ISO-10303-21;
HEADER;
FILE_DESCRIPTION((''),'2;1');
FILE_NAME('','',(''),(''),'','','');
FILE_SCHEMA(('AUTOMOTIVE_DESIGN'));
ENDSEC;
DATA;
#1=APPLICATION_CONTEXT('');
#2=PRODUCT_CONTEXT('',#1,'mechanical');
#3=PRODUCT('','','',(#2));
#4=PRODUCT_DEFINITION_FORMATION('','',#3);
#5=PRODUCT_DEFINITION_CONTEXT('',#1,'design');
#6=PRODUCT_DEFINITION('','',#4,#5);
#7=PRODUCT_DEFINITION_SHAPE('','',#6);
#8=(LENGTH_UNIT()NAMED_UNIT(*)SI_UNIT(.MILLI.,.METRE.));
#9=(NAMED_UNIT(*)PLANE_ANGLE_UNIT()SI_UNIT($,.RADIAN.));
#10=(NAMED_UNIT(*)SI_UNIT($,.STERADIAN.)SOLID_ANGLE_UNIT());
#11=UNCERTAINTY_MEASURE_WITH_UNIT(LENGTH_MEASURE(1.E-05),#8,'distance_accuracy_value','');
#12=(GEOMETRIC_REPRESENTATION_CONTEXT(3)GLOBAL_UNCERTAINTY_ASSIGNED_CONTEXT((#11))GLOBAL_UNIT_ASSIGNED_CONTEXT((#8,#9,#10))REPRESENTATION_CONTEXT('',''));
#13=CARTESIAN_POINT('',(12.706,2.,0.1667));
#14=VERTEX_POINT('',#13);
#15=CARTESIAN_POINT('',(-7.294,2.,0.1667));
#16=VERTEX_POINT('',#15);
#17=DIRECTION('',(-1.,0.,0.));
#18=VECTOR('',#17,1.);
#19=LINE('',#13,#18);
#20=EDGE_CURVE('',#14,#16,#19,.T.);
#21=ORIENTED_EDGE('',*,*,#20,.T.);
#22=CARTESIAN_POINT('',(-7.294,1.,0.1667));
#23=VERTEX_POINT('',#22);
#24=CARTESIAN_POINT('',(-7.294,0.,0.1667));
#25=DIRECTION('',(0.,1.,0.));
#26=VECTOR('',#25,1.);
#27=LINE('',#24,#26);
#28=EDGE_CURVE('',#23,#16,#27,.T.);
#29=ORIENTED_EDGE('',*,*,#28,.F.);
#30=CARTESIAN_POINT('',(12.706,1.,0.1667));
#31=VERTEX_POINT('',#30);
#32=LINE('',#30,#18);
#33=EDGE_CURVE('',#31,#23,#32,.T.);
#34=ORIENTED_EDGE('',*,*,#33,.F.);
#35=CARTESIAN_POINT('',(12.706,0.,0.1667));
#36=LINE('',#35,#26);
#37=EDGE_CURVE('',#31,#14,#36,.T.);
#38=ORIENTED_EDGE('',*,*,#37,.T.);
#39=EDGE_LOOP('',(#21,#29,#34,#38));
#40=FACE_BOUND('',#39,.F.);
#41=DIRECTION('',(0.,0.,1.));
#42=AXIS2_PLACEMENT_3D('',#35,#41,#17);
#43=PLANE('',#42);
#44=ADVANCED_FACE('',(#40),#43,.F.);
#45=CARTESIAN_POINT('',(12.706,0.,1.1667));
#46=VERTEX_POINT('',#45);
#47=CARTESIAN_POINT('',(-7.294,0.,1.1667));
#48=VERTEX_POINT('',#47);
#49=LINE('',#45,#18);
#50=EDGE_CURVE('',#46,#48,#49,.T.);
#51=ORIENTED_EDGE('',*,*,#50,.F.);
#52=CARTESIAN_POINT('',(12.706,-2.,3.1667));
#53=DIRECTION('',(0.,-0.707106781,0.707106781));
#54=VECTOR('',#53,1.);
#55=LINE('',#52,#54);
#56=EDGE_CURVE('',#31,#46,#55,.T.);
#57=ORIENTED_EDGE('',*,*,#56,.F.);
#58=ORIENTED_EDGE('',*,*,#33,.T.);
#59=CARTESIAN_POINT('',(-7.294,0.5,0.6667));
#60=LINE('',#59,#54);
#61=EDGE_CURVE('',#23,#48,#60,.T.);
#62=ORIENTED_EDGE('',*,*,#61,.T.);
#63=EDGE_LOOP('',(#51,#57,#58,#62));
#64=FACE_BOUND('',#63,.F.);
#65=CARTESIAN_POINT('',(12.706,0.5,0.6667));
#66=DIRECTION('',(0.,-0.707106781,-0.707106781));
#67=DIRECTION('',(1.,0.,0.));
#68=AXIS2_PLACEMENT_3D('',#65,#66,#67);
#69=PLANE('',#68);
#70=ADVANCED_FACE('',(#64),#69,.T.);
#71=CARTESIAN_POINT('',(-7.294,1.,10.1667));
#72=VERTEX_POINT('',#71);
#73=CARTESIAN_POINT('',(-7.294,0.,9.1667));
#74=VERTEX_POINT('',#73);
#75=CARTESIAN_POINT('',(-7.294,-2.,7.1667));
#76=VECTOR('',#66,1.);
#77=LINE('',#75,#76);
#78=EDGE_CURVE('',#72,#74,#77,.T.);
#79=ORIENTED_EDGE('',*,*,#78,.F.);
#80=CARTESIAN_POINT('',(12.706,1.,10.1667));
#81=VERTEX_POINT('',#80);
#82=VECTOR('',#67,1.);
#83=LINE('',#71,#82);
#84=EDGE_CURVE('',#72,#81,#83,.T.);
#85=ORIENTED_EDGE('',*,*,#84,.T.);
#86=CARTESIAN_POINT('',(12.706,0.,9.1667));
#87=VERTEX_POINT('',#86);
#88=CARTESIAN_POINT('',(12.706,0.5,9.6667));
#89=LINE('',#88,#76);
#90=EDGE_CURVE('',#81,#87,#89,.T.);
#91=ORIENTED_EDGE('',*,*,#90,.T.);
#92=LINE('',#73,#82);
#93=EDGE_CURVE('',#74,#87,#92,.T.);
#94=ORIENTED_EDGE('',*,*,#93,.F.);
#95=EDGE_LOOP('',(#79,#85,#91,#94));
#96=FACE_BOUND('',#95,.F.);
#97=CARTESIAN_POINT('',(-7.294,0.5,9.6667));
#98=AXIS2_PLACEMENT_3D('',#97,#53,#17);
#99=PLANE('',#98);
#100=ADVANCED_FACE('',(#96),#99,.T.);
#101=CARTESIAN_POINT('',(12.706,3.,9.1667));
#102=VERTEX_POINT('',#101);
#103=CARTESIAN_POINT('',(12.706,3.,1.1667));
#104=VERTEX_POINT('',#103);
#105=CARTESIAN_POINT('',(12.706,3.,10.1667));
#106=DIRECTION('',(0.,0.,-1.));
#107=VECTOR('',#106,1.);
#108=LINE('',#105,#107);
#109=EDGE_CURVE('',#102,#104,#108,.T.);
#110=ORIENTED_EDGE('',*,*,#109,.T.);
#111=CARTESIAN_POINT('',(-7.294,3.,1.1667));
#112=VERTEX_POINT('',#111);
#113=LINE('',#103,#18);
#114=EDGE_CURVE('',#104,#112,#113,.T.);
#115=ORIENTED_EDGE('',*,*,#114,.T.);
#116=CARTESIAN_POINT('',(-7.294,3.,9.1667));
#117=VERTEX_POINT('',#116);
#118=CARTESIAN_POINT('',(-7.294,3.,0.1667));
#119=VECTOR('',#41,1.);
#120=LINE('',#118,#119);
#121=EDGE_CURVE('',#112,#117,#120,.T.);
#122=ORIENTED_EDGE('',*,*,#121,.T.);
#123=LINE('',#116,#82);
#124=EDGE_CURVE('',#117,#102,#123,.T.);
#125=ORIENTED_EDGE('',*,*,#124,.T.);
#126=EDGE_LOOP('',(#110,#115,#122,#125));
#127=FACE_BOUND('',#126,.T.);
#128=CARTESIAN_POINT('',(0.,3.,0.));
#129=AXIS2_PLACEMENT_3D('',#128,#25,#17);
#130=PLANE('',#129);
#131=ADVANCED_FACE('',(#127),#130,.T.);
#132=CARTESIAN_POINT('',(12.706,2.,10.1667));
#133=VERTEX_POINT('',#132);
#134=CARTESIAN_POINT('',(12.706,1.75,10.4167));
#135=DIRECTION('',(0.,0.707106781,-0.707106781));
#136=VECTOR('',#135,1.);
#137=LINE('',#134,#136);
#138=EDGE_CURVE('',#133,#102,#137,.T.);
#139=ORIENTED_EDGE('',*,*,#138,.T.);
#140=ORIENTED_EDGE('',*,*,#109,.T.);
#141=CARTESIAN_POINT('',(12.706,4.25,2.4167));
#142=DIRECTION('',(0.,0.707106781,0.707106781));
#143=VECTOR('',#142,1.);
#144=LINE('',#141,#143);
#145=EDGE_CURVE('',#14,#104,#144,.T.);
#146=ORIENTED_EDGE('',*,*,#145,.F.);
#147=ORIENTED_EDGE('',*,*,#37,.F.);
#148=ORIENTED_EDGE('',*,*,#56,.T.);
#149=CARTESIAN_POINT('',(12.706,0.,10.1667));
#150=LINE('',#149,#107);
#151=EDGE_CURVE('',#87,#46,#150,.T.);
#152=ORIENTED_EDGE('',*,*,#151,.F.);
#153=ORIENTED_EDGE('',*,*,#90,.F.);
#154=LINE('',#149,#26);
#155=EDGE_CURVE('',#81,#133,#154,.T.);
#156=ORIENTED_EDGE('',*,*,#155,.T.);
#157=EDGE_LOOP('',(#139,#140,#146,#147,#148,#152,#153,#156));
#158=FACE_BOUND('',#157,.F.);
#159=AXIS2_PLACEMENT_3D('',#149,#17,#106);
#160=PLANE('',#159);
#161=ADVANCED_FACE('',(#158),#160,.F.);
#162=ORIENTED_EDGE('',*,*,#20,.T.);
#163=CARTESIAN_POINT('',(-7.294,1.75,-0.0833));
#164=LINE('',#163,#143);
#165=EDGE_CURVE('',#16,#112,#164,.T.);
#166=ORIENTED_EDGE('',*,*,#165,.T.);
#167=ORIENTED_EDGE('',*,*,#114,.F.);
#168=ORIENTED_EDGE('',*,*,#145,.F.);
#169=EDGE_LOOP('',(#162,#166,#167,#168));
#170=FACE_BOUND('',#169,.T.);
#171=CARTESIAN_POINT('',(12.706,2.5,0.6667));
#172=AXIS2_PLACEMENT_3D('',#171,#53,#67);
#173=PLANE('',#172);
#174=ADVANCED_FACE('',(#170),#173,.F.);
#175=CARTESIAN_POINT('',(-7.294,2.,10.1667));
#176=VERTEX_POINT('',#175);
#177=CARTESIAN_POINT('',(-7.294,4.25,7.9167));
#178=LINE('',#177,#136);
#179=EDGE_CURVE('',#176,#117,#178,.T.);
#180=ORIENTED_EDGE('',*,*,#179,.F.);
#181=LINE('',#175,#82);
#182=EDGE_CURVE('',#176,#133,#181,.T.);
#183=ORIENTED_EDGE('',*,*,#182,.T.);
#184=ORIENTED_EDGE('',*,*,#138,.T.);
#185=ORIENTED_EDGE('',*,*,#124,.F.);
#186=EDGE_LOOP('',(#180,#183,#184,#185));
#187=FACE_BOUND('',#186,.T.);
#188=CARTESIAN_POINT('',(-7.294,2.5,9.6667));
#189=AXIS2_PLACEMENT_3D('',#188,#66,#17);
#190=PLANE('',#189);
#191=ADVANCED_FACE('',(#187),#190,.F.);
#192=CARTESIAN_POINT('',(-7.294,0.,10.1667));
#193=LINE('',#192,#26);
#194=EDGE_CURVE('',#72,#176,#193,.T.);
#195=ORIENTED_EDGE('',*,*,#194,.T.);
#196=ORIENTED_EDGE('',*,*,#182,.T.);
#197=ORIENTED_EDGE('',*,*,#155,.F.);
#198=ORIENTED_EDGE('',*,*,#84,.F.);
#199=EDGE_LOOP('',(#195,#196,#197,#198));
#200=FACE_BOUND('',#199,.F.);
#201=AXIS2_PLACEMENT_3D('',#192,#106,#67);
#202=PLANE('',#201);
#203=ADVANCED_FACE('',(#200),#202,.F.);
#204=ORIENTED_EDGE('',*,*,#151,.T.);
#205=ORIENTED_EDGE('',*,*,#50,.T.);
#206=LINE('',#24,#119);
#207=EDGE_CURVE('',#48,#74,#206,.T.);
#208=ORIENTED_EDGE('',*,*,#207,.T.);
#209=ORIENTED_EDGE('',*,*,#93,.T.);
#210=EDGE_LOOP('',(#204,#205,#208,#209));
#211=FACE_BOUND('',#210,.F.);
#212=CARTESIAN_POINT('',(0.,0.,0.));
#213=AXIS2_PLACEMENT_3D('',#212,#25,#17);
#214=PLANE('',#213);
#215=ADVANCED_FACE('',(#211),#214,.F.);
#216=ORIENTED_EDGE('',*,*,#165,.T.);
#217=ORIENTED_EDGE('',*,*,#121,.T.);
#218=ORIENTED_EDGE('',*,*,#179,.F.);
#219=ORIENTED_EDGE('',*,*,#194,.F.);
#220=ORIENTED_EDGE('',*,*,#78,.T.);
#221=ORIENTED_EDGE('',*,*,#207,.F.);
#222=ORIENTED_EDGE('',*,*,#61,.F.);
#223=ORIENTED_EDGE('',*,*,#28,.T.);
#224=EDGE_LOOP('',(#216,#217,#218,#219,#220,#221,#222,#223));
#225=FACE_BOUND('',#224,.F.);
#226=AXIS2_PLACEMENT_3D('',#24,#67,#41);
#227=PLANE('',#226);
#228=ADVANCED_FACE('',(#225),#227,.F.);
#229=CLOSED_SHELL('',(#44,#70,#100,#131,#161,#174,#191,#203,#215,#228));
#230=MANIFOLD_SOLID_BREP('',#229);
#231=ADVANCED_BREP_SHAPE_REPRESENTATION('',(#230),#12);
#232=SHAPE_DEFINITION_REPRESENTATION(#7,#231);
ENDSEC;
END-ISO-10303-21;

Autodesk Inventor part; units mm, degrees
ref_plane "YZ Plane" through (0, 0, 0) normal (1, 0, 0) x (0, 1, 0)
ref_plane "XZ Plane" through (0, 0, 0) normal (0, 1, 0) x (-1, 0, 0)
ref_plane "XY Plane" through (0, 0, 0) normal (0, 0, 1) x (1, 0, 0)
sketch "Sketch1" plane through (0, 0, 0) normal (0, 1, 0) x (-1, 0, 0)
  line L0 (7.294, 10.1667) -> (-12.706, 10.1667)
  line L1 (-12.706, 10.1667) -> (-12.706, 0.1667)
  line L2 (-12.706, 0.1667) -> (7.294, 0.1667)
  line L3 (7.294, 0.1667) -> (7.294, 10.1667)
  point P0 (0, 0)
  dimension "d0" = 20
  dimension "d1" = 10
extrude "Extrusion1" add sketch "Sketch1" along normal blind 3
chamfer "Chamfer1" distance 1 angle 45 4 edges at (2.706, 3, 10.1667) (2.706, 0, 10.1667) (2.706, 0, 0.1667) (2.706, 3, 0.1667)
properties part number "lipol-40mAh"
